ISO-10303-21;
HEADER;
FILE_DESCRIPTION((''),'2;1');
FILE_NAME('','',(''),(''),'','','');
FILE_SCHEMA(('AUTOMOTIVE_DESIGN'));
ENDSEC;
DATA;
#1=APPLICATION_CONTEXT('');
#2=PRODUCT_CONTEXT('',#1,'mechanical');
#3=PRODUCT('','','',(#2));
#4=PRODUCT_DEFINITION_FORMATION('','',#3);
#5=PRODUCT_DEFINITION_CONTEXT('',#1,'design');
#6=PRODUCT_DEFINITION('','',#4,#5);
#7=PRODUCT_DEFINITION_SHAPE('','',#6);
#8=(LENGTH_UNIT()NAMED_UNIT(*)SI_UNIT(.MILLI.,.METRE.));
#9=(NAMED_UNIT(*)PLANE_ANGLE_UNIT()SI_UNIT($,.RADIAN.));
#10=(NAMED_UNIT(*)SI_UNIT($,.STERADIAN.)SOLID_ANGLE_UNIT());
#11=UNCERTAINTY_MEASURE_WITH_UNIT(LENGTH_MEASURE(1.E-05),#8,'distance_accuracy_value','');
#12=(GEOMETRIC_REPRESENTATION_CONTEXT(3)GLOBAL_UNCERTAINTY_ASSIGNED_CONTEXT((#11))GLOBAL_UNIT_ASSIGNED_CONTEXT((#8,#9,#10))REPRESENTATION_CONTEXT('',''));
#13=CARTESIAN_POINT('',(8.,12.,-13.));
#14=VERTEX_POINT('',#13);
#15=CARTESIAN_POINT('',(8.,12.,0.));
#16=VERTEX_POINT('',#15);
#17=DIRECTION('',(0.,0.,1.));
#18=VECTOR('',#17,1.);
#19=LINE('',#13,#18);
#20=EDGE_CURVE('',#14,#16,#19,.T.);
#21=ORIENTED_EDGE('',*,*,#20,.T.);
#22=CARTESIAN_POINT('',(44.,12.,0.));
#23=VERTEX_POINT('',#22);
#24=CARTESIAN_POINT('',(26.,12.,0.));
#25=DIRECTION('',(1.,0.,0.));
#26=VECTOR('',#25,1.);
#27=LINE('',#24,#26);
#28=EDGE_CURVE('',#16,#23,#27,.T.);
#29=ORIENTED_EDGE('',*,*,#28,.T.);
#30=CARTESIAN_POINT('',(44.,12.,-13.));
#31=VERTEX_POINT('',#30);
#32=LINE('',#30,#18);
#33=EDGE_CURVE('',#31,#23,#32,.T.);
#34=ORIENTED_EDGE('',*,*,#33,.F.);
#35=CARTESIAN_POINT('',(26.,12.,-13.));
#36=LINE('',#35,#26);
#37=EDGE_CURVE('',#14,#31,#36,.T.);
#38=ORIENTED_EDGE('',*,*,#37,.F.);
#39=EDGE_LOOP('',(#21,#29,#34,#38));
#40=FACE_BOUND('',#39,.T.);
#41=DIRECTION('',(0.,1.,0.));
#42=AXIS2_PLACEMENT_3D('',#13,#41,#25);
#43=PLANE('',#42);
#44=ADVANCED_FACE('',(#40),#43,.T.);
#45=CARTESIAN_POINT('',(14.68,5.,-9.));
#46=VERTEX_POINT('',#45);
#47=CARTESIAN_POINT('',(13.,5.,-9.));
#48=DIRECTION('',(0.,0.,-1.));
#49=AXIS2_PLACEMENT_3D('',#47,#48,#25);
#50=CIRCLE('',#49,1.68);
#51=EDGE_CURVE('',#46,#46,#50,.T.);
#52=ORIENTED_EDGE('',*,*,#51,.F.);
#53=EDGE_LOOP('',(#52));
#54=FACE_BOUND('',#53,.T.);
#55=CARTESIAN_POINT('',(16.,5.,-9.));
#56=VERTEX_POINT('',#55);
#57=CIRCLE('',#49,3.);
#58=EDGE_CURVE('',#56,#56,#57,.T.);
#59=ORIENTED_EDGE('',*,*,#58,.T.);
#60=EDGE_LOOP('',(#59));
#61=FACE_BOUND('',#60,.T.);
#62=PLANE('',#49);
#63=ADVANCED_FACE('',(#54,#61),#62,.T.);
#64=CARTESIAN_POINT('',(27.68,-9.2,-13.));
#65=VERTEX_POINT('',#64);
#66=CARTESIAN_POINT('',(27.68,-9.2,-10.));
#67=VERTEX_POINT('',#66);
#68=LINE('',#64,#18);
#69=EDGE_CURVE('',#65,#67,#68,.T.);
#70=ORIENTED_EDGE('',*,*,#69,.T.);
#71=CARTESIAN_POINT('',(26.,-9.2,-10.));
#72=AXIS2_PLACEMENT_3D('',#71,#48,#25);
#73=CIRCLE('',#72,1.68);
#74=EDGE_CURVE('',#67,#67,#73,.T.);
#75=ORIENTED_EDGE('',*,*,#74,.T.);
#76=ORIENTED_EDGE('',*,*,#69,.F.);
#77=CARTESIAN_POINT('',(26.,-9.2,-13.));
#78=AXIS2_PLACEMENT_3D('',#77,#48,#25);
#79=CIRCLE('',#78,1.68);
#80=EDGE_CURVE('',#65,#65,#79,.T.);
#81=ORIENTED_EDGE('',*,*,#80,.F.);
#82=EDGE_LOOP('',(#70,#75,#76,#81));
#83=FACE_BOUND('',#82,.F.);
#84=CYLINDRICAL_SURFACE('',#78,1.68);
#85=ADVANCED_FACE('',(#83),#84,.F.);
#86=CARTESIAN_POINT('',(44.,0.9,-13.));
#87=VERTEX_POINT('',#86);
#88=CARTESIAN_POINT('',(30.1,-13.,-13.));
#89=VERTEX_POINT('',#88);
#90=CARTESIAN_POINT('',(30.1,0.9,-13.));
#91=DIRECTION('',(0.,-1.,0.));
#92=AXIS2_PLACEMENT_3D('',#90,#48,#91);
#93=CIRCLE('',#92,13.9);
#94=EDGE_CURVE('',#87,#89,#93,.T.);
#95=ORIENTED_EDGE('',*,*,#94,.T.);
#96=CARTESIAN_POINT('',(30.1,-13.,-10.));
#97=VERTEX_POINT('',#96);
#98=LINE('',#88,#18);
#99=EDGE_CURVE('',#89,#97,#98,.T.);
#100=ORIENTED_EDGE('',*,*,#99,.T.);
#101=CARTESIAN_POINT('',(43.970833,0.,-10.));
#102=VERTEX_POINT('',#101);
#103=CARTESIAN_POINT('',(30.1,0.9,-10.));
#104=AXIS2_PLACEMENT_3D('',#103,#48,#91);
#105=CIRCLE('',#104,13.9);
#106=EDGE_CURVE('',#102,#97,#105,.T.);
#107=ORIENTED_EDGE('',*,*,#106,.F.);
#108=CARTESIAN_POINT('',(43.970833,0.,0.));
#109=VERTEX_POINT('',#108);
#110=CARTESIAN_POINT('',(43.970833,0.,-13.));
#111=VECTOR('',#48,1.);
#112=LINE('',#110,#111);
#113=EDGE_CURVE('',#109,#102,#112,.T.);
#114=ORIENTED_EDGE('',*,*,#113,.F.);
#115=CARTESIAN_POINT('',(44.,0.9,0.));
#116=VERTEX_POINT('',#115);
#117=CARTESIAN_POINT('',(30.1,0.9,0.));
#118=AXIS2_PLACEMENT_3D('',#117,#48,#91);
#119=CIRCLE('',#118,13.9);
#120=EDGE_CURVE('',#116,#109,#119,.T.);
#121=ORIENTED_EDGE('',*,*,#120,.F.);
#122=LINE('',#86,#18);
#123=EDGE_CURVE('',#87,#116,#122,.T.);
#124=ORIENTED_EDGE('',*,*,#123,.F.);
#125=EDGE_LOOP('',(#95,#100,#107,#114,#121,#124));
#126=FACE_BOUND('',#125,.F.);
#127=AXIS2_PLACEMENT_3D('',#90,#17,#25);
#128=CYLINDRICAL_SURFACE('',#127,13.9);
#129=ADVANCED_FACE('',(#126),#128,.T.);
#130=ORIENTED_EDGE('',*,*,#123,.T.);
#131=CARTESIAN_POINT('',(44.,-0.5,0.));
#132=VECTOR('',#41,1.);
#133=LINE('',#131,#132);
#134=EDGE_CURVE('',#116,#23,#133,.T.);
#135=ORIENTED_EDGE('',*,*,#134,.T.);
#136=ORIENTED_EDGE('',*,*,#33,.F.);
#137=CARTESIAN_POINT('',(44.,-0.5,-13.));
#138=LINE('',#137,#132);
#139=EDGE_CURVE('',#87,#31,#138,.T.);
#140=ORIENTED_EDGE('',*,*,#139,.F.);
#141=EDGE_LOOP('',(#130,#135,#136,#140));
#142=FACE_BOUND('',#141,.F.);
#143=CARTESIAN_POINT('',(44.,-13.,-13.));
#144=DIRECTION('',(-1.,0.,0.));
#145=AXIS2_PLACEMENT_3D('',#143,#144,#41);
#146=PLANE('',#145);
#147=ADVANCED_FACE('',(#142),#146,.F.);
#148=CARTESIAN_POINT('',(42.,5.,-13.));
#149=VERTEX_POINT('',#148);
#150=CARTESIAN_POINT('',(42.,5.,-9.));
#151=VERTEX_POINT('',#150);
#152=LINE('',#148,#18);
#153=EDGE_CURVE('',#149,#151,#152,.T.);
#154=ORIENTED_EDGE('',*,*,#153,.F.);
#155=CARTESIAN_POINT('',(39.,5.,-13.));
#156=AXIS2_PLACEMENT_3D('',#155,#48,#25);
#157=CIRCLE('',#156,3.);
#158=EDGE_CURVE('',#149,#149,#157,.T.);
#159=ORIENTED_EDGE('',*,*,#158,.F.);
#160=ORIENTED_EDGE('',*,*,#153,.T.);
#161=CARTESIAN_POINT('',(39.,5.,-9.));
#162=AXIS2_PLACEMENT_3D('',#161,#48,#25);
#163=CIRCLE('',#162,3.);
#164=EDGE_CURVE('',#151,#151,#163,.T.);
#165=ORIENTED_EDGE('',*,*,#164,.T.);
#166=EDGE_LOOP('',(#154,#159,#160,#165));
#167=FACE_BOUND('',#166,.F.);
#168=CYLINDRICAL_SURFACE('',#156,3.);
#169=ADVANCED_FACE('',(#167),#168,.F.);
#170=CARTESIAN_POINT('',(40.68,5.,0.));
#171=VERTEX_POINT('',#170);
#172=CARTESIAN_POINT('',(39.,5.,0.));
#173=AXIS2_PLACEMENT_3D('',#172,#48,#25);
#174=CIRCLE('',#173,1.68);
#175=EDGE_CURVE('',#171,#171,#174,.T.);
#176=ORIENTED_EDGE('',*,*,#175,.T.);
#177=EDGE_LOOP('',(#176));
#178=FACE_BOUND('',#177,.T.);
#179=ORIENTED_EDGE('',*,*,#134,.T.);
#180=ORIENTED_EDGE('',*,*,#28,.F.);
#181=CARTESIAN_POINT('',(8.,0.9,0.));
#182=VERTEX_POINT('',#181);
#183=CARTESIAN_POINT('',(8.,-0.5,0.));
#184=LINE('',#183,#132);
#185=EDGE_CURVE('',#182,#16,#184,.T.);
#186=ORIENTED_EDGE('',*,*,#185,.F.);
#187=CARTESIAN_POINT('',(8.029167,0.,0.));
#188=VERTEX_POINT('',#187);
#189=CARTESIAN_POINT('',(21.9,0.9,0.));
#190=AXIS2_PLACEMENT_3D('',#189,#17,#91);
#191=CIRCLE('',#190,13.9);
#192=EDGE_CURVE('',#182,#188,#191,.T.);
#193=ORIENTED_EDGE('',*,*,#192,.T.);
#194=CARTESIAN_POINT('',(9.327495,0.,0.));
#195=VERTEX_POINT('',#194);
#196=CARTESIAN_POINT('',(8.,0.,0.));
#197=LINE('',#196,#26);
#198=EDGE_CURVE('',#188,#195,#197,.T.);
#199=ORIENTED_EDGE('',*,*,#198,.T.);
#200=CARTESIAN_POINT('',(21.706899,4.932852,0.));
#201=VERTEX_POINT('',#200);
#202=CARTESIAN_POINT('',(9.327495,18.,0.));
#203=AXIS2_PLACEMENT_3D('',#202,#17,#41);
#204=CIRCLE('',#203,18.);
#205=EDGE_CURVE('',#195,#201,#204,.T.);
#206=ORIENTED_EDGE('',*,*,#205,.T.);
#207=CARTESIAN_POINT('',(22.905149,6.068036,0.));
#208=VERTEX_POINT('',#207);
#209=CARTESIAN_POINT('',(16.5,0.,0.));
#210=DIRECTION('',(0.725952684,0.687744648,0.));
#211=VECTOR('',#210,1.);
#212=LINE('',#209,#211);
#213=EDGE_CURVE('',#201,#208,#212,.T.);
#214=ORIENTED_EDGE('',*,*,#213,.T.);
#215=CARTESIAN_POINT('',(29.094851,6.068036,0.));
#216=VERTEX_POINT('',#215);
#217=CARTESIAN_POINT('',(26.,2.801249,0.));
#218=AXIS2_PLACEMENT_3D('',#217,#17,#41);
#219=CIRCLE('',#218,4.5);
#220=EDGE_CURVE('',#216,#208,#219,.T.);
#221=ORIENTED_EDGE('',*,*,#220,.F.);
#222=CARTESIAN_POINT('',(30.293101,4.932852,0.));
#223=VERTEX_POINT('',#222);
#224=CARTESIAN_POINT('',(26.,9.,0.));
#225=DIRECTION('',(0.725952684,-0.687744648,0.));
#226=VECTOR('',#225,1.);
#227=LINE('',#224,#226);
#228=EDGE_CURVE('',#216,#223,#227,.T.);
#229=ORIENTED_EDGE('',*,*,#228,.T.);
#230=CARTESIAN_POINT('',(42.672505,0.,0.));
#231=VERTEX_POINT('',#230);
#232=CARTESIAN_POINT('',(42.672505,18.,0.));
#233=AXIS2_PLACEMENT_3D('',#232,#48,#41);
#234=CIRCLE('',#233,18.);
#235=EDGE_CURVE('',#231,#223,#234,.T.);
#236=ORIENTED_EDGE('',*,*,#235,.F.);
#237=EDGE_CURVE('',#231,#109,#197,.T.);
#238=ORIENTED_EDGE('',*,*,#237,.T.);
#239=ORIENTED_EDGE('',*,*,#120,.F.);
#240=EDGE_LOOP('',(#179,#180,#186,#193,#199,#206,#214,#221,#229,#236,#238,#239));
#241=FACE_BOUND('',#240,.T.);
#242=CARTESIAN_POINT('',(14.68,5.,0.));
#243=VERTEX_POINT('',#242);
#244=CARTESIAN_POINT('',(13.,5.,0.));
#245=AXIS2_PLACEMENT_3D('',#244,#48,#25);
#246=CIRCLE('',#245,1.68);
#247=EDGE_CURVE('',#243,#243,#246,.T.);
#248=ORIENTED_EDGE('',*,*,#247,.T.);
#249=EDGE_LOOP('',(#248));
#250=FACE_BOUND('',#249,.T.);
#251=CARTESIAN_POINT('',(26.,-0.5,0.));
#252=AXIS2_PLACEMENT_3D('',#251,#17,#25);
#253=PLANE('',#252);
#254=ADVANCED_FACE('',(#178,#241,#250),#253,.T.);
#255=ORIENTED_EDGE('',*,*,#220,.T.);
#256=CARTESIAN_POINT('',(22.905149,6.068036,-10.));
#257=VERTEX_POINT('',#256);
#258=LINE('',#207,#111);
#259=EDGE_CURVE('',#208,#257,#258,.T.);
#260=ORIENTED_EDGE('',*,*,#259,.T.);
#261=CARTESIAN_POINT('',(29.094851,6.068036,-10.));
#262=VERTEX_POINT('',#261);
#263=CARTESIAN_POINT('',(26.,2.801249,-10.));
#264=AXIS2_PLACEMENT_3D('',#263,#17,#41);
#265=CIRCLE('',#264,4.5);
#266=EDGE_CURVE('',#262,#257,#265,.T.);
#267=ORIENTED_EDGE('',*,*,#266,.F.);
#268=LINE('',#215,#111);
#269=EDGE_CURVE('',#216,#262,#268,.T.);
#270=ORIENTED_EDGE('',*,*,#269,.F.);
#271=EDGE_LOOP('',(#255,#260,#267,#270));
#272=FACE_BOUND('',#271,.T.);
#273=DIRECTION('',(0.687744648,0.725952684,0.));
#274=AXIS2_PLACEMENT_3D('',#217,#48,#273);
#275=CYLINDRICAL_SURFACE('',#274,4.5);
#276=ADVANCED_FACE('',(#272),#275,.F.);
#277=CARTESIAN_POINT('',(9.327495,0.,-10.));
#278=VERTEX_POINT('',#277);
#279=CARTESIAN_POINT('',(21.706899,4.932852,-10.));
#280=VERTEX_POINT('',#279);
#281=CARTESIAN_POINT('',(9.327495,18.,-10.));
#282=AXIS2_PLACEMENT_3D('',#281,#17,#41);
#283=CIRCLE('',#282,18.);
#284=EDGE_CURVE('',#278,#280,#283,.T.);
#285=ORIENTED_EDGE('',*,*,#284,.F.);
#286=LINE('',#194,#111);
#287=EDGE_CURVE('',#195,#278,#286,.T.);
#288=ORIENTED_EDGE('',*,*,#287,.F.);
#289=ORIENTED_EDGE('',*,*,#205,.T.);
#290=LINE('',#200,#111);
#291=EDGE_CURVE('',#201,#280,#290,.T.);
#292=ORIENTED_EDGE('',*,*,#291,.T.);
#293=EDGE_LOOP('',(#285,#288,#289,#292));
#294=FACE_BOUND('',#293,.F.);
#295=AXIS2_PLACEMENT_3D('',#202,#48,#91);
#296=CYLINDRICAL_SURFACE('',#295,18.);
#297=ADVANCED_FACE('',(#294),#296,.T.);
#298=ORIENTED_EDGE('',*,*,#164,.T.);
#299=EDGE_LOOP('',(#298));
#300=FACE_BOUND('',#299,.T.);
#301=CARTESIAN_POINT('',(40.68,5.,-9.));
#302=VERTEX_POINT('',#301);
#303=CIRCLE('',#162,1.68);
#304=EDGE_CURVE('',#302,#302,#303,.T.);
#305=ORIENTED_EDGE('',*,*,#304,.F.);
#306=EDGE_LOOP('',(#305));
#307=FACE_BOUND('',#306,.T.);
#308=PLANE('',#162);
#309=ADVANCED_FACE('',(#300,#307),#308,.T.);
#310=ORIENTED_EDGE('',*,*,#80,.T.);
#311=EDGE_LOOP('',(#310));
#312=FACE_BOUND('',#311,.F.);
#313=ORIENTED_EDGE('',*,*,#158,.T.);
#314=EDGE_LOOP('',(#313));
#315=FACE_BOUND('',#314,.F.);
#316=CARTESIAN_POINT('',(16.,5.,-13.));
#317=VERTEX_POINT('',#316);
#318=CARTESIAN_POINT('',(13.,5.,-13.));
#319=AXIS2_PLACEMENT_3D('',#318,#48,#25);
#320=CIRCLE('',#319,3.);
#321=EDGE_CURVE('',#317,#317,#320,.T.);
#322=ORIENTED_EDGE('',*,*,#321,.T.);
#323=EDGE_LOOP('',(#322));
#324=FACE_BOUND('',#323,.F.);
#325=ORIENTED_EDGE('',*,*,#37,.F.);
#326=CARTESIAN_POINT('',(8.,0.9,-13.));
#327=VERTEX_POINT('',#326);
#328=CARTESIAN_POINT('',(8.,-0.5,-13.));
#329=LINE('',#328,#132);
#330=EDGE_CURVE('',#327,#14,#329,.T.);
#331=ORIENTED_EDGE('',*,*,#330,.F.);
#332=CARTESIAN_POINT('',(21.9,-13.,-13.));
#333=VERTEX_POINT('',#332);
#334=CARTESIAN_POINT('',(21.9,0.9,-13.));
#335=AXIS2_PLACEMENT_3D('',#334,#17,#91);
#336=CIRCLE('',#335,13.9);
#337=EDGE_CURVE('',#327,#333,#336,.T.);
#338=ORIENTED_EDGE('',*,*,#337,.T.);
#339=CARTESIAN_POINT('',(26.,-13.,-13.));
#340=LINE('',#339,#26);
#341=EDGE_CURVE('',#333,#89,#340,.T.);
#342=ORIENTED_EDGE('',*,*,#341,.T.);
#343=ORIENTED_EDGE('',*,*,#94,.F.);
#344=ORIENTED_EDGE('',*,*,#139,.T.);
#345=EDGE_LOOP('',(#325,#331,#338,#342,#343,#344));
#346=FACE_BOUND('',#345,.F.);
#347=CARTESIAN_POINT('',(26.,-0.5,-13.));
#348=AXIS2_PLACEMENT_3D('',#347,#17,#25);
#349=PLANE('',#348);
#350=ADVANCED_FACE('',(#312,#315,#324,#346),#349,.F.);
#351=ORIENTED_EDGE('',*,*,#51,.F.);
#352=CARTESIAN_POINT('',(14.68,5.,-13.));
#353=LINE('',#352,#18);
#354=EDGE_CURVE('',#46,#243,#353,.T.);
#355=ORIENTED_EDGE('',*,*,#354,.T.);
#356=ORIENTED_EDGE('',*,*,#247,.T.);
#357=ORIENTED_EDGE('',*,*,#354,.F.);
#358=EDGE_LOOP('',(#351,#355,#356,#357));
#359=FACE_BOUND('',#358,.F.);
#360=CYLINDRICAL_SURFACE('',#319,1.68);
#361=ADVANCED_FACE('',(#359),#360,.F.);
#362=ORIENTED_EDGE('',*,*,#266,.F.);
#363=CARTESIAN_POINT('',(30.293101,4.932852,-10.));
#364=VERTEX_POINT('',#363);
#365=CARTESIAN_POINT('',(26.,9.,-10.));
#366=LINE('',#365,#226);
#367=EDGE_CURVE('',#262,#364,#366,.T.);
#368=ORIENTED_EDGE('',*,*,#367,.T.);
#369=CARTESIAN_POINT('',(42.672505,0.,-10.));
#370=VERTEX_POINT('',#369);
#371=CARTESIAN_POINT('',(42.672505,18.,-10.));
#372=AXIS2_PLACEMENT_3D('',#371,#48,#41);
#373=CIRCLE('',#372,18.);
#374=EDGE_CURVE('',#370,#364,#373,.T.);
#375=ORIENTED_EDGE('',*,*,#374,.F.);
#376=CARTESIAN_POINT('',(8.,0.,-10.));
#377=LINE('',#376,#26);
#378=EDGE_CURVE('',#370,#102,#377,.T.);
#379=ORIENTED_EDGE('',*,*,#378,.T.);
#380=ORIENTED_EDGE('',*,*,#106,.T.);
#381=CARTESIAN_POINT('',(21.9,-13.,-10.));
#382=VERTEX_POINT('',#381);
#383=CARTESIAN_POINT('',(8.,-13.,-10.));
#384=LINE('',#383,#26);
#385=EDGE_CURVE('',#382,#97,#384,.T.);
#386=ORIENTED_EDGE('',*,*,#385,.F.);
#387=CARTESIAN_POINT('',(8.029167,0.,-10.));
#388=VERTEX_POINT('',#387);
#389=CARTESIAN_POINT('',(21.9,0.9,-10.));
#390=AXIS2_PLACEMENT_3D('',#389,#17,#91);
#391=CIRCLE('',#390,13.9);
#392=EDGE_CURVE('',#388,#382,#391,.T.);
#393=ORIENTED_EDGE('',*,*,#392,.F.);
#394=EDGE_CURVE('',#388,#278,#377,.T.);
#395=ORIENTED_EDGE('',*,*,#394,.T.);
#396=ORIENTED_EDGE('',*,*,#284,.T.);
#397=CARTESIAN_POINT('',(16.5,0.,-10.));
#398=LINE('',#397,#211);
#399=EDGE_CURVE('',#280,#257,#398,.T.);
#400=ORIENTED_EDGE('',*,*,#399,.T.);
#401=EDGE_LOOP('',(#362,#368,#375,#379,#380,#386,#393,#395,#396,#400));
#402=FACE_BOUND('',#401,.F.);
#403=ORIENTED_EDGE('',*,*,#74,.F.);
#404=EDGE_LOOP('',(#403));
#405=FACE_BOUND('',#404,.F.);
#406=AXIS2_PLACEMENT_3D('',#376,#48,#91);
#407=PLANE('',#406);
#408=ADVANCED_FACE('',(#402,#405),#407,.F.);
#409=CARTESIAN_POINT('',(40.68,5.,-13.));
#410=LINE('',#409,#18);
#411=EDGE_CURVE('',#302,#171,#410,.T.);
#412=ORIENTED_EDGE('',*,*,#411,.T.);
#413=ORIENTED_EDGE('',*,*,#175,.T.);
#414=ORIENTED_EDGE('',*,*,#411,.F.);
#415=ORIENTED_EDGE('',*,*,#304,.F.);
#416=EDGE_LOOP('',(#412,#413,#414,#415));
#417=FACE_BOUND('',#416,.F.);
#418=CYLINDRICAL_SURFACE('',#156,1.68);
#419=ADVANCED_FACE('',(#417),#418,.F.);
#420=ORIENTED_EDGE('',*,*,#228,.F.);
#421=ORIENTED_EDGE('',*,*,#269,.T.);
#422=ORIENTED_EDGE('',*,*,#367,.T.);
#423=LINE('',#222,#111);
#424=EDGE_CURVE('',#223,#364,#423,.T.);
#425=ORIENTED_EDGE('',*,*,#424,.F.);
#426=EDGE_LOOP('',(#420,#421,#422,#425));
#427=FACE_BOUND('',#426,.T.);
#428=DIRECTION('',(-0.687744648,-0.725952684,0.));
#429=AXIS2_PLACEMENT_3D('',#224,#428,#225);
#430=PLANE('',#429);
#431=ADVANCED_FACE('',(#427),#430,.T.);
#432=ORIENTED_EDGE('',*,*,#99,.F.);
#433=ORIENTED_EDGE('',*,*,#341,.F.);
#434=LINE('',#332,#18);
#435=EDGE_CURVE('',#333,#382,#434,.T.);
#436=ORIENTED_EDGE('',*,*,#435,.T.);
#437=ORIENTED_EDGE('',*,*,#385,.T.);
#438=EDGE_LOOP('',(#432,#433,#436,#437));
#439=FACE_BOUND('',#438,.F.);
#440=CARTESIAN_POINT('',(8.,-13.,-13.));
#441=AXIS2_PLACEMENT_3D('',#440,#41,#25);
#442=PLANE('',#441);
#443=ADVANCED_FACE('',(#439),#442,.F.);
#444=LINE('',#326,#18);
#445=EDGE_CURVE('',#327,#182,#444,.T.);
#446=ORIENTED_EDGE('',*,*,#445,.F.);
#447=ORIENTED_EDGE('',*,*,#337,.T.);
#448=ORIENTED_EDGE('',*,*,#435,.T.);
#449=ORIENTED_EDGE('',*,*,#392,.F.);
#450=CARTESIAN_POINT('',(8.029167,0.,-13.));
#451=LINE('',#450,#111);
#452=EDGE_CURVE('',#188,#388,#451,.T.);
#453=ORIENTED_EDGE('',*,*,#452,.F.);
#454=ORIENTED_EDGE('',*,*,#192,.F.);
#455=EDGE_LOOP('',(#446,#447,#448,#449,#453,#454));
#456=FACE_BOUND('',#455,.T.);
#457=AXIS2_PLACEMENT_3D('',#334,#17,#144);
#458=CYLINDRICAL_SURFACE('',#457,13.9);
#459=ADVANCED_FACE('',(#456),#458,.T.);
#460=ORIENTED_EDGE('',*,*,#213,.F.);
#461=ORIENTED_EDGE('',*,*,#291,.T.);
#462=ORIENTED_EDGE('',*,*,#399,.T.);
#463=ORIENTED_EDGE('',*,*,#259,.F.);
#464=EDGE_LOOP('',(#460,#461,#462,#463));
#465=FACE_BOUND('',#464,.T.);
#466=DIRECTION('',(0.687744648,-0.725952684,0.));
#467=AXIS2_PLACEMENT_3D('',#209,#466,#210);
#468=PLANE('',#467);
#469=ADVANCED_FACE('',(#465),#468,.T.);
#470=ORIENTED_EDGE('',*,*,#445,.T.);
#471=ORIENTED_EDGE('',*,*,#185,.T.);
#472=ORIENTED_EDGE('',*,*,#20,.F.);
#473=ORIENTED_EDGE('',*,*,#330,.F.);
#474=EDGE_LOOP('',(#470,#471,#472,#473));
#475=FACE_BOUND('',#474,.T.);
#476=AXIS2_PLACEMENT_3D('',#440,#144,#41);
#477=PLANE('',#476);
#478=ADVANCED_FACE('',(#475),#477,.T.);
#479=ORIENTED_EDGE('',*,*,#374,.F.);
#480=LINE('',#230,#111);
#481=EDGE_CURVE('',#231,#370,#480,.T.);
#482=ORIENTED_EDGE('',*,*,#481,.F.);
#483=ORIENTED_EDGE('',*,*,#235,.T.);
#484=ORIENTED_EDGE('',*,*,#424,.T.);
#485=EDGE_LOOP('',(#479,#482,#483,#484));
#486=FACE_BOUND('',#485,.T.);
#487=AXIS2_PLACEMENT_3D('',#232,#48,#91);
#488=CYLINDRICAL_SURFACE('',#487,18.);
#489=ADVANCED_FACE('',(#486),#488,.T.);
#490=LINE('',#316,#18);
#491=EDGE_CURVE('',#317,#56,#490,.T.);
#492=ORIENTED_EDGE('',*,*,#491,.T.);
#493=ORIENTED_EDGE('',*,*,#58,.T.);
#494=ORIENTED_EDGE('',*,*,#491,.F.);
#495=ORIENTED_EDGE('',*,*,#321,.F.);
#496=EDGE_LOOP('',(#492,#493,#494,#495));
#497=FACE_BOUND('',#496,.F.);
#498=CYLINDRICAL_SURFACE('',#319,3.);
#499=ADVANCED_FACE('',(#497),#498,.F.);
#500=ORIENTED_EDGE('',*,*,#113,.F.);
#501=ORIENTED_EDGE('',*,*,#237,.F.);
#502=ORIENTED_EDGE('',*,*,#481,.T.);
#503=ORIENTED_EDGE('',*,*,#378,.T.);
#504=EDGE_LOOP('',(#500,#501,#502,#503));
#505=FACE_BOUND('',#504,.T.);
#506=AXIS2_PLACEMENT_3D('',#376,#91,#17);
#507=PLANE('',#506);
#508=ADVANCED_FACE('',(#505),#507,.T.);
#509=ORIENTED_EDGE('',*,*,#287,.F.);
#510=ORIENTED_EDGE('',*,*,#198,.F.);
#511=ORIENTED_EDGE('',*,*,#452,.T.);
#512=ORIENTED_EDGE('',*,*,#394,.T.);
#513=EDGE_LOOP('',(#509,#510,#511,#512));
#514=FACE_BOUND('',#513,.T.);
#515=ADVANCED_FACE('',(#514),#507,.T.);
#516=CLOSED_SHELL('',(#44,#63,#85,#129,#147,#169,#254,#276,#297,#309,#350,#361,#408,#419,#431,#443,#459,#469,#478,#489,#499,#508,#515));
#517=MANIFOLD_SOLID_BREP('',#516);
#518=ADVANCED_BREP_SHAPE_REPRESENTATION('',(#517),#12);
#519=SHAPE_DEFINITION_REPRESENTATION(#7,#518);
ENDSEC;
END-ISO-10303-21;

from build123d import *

# Parameters (mm, degrees)
BOX001_W        = 36
BOX001_H        = 25
BOX001_DEPTH    = 13
SKETCH_R        = 1.68
POCKET005_DEPTH = 13.001
SKETCH014_W     = 13
SKETCH014_H     = 10
POCKET006_DEPTH = 36.001
SKETCH015_R     = 3
POCKET007_DEPTH = 4
POCKET008_DEPTH = 10
FILLET_R        = 18
FILLET001_R     = 4.5
FILLET002_R     = 13.9


with BuildPart() as part:
    # Box001 → Box001 (new body)
    with BuildSketch(Plane(origin=(8, -13, -13), x_dir=(1, 0, 0), z_dir=(0, 0, 1))):
        with Locations((18, 12.5)):
            Rectangle(BOX001_W, BOX001_H)
    extrude(amount=BOX001_DEPTH)

    # Sketch → Pocket005 (cut, through all)
    with BuildSketch(Plane(origin=(8, -13, -13), x_dir=(1, 0, 0), z_dir=(0, 0, -1))):
        with Locations((31, -18)):
            Circle(SKETCH_R)
        with Locations((5, -18)):
            Circle(SKETCH_R)
        with Locations((18, -3.8)):
            Circle(SKETCH_R)
    extrude(amount=-POCKET005_DEPTH, mode=Mode.SUBTRACT)

    # Sketch014 → Pocket006 (cut, through all)
    with BuildSketch(Plane(origin=(8, -13, -13), x_dir=(0, -1, 0), z_dir=(-1, 0, 0))):
        with Locations((-6.5, 8)):
            Rectangle(SKETCH014_W, SKETCH014_H)
    extrude(amount=-POCKET006_DEPTH, mode=Mode.SUBTRACT)

    # Sketch015 → Pocket007 (cut)
    with BuildSketch(Plane(origin=(8, -13, -13), x_dir=(1, 0, 0), z_dir=(0, 0, -1))):
        with Locations((5, -18)):
            Circle(SKETCH015_R)
        with Locations((31, -18)):
            Circle(SKETCH015_R)
    extrude(amount=-POCKET007_DEPTH, mode=Mode.SUBTRACT)

    # Sketch016 → Pocket008 (cut)
    with BuildSketch(Plane(origin=(8, -13, 0), x_dir=(1, 0, 0), z_dir=(0, 0, 1))):
        Polygon((8.5, 13), (18, 22), (27.5, 13), align=None)
    extrude(amount=-POCKET008_DEPTH, mode=Mode.SUBTRACT)

    # Fillet
    fillet_edges = [part.edges().sort_by_distance(p)[0] for p in [
        (16.5, 0, -5),
        (35.5, 0, -5),
    ]]
    fillet(fillet_edges, radius=FILLET_R)

    # Fillet001
    fillet001_edges = [part.edges().sort_by_distance(p)[0] for p in [
        (26, 9, -5),
    ]]
    fillet(fillet001_edges, radius=FILLET001_R)

    # Fillet002
    fillet002_edges = [part.edges().sort_by_distance(p)[0] for p in [
        (44, -13, -11.5),
        (8, -13, -11.5),
    ]]
    fillet(fillet002_edges, radius=FILLET002_R)


solid = part.part
